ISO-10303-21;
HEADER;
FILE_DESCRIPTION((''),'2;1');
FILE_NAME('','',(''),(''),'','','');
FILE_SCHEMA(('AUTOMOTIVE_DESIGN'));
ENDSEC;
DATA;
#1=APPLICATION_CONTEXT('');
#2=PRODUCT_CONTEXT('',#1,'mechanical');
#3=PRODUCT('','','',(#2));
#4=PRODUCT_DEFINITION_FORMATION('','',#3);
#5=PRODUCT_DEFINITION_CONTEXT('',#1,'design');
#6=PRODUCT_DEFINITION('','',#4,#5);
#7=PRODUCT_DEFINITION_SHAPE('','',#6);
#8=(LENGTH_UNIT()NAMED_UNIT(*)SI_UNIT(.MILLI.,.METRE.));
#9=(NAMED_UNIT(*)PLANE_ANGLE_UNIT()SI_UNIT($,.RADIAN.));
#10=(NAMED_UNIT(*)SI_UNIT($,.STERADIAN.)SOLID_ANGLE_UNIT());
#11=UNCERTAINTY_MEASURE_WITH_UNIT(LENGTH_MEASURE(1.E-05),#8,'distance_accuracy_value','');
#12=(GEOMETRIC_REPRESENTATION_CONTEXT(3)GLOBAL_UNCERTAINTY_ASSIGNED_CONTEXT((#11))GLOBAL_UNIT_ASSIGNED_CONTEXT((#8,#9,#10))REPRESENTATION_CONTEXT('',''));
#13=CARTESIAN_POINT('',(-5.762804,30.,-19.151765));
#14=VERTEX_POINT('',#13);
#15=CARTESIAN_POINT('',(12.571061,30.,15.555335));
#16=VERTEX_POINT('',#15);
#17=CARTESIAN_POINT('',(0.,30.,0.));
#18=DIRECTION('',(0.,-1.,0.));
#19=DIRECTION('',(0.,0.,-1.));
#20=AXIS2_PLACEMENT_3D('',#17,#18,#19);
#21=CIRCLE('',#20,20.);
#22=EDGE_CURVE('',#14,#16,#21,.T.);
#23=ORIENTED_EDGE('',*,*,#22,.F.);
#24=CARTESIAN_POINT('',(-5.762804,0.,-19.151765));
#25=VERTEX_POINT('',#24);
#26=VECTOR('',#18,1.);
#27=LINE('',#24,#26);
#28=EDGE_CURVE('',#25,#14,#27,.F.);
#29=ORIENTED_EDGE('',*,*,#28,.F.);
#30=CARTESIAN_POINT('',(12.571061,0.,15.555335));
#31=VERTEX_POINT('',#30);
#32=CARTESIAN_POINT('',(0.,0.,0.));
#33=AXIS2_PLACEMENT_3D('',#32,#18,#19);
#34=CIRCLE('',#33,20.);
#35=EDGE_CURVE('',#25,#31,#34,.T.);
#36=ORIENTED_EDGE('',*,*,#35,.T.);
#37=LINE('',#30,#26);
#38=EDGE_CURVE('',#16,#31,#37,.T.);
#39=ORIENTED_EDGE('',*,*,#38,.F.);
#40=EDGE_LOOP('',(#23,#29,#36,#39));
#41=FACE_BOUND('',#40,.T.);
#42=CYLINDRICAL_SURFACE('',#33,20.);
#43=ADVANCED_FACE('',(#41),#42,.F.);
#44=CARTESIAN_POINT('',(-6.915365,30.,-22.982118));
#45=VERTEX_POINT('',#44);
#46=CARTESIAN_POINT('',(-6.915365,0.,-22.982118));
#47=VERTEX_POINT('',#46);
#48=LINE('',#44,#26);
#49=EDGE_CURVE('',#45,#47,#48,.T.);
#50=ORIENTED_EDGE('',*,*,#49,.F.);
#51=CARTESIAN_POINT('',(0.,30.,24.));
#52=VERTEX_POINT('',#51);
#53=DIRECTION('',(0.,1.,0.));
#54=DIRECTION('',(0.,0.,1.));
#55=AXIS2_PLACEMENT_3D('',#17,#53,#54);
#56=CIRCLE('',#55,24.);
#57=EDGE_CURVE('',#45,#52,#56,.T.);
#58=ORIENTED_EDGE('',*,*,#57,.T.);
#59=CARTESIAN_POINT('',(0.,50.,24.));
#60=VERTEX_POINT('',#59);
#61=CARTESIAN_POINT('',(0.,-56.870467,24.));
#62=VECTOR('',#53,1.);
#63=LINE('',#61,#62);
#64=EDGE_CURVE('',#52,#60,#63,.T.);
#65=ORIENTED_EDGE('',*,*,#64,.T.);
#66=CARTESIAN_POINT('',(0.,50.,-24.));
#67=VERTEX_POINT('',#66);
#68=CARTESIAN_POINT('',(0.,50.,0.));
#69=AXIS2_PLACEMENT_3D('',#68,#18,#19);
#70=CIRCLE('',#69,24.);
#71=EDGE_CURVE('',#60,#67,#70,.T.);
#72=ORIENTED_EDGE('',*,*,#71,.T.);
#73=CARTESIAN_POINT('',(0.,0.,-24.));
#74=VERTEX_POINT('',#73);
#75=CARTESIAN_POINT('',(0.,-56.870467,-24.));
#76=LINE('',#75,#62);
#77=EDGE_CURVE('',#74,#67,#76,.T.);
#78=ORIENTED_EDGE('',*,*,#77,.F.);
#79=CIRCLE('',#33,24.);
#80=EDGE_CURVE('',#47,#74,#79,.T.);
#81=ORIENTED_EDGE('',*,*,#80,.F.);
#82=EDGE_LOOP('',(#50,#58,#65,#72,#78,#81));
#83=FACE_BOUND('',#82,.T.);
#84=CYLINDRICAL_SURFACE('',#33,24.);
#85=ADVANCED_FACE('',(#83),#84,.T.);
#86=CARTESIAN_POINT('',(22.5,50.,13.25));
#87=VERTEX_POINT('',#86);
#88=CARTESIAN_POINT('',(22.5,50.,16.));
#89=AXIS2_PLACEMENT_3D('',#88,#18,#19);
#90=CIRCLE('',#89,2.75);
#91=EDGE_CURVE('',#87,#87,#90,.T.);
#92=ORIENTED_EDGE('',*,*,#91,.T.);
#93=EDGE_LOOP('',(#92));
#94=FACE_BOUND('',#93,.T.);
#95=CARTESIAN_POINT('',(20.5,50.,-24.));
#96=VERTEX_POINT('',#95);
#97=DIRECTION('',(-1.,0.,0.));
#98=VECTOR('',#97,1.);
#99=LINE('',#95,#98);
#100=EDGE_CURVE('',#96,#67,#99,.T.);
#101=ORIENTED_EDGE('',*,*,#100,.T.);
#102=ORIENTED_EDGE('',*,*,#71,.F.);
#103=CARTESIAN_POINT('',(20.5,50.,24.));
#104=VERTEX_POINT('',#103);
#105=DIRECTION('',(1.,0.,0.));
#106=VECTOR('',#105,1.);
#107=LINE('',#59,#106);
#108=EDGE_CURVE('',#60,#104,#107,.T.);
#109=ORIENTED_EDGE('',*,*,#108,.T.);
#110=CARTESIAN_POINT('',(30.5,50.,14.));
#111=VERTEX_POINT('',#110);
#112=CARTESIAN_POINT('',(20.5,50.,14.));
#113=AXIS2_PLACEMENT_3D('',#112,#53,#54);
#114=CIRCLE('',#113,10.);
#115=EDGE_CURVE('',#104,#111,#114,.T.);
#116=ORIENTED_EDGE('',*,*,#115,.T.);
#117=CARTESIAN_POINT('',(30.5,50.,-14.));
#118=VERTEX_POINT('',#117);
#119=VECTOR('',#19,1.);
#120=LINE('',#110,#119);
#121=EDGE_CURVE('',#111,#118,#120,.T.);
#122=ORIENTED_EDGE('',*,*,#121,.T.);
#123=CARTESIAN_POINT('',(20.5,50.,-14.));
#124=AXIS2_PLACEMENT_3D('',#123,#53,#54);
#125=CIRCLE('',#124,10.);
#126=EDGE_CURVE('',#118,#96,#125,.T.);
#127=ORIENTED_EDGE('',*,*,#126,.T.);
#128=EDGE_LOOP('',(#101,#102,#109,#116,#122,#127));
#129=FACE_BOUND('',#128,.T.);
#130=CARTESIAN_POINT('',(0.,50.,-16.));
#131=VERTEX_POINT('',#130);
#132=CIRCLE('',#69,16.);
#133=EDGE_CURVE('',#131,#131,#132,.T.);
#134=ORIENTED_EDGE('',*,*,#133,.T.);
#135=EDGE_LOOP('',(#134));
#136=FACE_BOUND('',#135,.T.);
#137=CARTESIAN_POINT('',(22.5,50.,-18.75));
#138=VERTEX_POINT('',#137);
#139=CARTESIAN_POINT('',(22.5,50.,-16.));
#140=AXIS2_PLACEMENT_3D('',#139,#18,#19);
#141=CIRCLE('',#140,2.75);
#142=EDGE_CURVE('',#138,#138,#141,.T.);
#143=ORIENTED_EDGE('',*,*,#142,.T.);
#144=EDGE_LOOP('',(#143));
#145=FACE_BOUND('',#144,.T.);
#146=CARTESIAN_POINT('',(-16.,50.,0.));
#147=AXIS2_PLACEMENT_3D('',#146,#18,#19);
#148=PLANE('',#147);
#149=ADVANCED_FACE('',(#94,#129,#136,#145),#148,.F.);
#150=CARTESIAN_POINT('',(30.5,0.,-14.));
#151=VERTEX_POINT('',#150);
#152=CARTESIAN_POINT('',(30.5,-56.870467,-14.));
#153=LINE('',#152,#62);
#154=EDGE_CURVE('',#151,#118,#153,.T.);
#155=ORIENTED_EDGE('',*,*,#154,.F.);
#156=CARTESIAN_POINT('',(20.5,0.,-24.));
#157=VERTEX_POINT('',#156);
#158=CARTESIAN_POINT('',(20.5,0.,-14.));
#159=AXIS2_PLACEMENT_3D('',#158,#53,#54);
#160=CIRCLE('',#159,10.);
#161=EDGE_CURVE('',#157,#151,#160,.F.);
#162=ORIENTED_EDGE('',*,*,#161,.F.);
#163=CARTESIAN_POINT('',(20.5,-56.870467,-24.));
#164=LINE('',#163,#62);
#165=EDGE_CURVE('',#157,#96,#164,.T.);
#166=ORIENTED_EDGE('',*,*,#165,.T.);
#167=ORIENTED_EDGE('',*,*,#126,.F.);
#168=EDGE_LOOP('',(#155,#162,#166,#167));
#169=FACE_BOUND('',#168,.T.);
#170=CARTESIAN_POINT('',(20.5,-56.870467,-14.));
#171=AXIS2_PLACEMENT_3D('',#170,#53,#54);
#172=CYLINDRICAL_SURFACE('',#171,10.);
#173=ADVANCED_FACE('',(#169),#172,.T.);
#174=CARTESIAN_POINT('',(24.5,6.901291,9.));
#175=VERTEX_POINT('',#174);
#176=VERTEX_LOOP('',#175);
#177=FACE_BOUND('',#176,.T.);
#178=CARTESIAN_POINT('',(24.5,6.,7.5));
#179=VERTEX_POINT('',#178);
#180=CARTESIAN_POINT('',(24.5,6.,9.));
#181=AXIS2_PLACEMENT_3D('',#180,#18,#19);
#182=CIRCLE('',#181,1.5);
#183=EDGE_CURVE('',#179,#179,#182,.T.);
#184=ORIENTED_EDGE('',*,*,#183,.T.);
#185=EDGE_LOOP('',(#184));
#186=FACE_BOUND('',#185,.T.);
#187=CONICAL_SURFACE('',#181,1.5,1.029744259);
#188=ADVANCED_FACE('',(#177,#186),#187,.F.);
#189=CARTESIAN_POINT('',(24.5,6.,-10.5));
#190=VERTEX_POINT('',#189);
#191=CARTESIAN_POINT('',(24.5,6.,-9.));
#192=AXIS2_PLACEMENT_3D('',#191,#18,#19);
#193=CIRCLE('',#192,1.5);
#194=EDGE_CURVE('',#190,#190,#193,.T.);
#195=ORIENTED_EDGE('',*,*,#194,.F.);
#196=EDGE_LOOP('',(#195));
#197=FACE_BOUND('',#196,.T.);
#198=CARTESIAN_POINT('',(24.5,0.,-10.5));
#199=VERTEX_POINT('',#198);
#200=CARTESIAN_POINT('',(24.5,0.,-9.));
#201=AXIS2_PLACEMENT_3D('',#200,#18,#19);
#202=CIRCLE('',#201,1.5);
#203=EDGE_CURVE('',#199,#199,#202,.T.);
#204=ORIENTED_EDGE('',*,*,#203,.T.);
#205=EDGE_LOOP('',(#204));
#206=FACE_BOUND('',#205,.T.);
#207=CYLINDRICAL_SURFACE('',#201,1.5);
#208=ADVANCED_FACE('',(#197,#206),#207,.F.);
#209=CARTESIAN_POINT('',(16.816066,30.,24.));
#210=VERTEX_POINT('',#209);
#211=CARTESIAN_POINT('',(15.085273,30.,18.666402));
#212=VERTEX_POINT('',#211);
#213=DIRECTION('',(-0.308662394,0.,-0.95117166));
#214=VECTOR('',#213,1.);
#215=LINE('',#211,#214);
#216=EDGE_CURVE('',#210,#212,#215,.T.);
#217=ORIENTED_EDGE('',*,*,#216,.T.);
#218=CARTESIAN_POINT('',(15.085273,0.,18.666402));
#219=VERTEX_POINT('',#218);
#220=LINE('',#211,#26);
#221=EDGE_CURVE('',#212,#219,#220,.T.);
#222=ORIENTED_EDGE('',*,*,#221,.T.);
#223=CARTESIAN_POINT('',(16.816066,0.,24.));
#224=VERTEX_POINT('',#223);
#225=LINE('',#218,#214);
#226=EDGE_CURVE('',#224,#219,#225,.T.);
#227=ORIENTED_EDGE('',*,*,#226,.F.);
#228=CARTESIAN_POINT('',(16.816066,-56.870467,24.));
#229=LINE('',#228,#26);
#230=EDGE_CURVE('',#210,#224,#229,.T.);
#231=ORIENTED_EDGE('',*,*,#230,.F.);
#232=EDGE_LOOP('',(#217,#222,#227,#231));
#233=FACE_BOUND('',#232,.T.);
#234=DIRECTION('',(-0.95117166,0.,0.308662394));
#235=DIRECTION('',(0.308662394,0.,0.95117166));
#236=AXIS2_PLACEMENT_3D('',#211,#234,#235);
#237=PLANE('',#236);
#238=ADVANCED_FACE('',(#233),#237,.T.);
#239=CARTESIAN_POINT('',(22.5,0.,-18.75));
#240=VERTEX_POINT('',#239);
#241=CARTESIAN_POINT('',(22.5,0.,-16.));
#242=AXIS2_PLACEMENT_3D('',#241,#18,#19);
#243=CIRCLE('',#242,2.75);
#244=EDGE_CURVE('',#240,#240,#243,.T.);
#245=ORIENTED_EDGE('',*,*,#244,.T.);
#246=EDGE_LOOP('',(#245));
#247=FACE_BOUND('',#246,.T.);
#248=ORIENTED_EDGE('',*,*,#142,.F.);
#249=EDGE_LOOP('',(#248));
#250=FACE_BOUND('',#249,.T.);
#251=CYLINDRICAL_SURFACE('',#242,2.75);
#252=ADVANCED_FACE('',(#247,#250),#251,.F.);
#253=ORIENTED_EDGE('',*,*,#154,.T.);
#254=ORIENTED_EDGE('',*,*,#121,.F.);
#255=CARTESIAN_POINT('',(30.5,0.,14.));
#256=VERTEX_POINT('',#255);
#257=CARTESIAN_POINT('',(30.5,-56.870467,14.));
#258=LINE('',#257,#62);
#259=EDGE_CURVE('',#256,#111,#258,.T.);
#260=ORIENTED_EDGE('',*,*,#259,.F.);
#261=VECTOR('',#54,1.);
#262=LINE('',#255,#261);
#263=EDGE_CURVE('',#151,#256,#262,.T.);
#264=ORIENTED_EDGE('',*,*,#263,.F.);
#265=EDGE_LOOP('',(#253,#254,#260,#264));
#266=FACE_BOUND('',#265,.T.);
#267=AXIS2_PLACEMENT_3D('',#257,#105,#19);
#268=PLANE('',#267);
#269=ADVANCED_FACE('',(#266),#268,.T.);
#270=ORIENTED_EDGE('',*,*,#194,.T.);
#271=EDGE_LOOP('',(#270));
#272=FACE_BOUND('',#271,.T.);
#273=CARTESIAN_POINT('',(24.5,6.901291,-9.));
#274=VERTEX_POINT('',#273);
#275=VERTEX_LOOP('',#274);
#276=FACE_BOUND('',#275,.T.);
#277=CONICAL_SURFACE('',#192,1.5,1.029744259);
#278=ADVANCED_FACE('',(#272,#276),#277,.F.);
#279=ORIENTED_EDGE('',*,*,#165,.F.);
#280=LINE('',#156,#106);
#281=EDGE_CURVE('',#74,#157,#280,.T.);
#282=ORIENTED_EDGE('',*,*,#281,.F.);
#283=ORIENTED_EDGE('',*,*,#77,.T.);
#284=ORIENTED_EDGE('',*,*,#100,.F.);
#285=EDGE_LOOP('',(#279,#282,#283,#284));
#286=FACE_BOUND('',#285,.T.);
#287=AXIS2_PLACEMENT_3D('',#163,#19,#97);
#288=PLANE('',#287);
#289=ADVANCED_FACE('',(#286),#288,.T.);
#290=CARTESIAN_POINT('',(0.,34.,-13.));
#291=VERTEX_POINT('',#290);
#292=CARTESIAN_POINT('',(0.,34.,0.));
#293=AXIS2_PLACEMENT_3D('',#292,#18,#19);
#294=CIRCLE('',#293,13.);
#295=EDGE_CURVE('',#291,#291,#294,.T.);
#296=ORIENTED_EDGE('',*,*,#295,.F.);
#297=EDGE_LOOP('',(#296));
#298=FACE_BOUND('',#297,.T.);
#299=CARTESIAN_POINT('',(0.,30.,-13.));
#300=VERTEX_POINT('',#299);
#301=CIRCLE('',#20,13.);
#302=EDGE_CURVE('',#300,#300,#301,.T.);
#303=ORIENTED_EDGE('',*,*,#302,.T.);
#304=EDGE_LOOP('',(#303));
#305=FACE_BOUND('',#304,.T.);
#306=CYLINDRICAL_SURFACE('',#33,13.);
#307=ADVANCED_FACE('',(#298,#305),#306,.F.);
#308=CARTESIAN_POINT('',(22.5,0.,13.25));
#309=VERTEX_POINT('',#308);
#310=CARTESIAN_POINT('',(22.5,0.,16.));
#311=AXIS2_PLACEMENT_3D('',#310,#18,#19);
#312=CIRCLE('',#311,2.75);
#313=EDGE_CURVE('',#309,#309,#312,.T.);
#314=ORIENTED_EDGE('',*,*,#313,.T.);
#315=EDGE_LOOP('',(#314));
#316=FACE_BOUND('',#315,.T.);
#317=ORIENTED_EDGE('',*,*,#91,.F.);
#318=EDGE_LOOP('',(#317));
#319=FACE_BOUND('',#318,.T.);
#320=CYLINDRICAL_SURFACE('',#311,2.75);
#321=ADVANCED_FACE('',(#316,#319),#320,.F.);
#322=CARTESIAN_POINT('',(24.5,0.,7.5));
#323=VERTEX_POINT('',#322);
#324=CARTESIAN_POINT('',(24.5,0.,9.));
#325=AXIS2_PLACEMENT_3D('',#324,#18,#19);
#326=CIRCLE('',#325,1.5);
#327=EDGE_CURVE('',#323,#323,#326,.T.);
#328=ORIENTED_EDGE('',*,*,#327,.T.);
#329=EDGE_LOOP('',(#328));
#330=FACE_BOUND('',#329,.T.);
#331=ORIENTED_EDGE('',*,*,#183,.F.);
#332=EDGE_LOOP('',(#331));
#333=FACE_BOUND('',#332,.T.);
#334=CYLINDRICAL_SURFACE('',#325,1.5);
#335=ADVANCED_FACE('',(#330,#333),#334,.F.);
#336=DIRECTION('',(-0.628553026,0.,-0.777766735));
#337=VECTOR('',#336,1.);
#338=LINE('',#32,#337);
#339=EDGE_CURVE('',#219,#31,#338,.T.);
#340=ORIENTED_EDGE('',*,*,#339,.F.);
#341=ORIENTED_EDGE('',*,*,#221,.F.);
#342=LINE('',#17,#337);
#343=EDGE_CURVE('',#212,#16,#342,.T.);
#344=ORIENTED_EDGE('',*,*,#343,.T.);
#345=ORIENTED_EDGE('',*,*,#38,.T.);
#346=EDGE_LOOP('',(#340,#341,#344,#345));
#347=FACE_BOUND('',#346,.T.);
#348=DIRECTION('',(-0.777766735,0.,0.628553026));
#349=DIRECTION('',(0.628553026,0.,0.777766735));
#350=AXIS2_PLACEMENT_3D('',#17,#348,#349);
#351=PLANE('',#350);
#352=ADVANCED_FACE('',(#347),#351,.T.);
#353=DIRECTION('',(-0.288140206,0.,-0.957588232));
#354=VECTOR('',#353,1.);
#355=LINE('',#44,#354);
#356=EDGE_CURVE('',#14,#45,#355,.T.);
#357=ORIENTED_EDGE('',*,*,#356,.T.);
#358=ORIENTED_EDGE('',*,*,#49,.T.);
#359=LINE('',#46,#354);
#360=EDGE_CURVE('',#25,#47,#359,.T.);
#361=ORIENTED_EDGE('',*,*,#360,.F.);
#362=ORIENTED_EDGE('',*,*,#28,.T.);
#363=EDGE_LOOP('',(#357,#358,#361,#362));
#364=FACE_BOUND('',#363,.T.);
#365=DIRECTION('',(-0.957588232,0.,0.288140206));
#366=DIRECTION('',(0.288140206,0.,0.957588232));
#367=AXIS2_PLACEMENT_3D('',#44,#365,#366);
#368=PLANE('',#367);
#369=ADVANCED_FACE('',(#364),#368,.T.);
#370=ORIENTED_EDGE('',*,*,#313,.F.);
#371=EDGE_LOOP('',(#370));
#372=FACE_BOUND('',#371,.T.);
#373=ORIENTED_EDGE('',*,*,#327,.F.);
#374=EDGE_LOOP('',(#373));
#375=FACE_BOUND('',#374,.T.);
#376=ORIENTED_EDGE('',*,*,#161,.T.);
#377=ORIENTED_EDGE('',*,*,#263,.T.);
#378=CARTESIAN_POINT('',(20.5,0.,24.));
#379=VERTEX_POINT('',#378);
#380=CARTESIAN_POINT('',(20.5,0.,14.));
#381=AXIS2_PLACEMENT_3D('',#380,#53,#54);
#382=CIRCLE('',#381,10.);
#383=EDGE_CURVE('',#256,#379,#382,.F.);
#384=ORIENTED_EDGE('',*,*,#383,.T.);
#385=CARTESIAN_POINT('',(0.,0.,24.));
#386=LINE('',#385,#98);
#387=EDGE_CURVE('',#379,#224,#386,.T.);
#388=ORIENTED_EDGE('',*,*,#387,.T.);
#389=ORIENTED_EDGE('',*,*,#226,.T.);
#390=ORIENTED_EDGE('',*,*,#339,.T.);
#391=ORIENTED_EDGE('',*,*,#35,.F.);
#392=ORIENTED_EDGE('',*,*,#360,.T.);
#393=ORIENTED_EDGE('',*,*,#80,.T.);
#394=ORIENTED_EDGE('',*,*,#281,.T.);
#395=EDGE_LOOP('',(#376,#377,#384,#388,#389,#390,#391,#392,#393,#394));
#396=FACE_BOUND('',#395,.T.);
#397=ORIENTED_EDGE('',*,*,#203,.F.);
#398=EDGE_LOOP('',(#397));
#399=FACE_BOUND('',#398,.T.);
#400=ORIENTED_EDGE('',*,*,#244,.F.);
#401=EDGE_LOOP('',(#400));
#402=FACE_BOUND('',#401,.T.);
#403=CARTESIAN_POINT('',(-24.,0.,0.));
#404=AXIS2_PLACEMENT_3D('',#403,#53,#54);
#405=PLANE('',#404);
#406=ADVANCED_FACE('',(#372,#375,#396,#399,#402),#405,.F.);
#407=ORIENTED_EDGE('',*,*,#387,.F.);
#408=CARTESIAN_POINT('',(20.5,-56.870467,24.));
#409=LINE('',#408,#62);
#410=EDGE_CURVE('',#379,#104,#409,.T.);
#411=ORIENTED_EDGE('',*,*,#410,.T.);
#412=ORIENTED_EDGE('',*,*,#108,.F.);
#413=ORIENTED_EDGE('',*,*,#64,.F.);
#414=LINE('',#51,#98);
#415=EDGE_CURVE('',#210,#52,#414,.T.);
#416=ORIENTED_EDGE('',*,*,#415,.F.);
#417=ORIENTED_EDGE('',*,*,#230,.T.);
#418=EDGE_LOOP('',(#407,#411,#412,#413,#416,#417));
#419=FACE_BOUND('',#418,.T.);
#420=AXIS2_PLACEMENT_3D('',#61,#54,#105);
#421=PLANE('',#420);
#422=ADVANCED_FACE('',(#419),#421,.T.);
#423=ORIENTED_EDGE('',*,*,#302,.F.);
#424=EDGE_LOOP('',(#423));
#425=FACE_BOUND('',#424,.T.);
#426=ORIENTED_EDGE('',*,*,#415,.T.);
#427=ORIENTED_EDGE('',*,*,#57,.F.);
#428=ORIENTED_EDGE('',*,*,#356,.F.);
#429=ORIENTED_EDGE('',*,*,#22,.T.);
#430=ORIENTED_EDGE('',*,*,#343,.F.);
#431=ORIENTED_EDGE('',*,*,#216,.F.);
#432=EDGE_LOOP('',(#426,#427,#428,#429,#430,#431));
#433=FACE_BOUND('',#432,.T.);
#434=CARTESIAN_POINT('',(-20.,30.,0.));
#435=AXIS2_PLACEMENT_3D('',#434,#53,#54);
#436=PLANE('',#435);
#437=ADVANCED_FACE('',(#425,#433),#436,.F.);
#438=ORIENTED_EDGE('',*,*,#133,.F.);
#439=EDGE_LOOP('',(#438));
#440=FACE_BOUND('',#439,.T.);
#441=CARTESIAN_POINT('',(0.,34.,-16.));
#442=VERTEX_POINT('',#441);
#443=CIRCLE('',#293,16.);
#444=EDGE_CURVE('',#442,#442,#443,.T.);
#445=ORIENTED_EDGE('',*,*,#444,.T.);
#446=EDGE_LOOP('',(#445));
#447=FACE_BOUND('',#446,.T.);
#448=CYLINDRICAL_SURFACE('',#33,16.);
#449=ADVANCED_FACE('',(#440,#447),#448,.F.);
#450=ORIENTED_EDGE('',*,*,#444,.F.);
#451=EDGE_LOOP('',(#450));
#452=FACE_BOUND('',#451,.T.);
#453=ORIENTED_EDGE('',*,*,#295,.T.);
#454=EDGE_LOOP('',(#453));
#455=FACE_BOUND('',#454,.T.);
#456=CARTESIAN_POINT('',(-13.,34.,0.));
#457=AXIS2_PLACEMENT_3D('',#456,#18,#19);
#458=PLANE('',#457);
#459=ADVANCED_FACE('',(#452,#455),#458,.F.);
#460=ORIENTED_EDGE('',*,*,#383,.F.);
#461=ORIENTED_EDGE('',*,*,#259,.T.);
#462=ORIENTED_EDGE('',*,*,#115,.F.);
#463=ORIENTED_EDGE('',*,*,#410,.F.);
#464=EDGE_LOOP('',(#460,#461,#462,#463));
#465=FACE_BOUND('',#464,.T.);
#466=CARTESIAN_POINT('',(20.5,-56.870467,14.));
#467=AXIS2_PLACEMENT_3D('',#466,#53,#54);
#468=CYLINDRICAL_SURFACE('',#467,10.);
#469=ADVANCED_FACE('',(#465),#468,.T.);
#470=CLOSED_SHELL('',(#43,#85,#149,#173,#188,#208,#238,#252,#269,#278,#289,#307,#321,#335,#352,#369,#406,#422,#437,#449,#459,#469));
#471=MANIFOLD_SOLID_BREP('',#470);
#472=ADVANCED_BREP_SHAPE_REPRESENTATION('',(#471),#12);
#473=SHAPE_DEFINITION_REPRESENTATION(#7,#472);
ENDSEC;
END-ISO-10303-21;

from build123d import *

# Parameters (mm, degrees)
BOSS_EXTRUDE1_DEPTH       = 50
CUT_EXTRUDE1_DEPTH        = 30
F_3_0MM_DOWEL_HOLE1_D     = 3
F_3_0MM_DOWEL_HOLE1_DEPTH = 6
F_3_0MM_DOWEL_HOLE1_TIP   = 0.901290929
M5_CLEARANCE_HOLE1_D      = 5.5


with BuildPart() as part:
    # Sketch1 → Revolve1 (revolve)
    with BuildSketch(Plane.XY, mode=Mode.PRIVATE) as revolve1_sk:
        Polygon((-24, 0), (-24, 50), (-16, 50), (-16, 34), (-13, 34), (-13, 30), (-16, 30), (-20, 30), (-20, 0), align=None)
    revolve(revolve1_sk.sketch.rotate(Axis((0, 0, 0), (0, 1, 0)), 270), axis=Axis((0, 0, 0), (0, 1, 0)))

    # Sketch6 → Boss-Extrude1 (add)
    with BuildSketch(Plane(origin=(0, 50, 0), x_dir=(1, 0, 0), z_dir=(0, 1, 0))):
        with BuildLine():
            Line((0, -24), (20.5, -24))
            ThreePointArc((20.5, -24), (27.571067812, -21.071067812), (30.5, -14))
            Line((30.5, -14), (30.5, 14))
            ThreePointArc((30.5, 14), (27.571067812, 21.071067812), (20.5, 24))
            Line((20.5, 24), (0, 24))
            ThreePointArc((0, 24), (24, 0), (0, -24))
        make_face()
    extrude(amount=-BOSS_EXTRUDE1_DEPTH)

    # Sketch5 → Cut-Extrude1 (cut)
    with BuildSketch(Plane(origin=(0, 0, 0), x_dir=(1, 0, 0), z_dir=(0, 1, 0))):
        Polygon((15.085272612, -18.666401641), (20.483393436, -35.301209276), (-37.381072525, -18.770693037), (-37.381072525, 22.982117566), (-6.915364934, 22.982117566), (0, 0), align=None)
    extrude(amount=CUT_EXTRUDE1_DEPTH, mode=Mode.SUBTRACT)

    # Ø3.0mm Dowel Hole1
    with Locations(Plane(origin=(0, 0, 0), x_dir=(-1, 0, 0), z_dir=(0, -1, 0))):
        with Locations((-24.5, -9), (-24.5, 9)):
            Hole(F_3_0MM_DOWEL_HOLE1_D / 2, depth=F_3_0MM_DOWEL_HOLE1_DEPTH)
            with Locations((0, 0, -(F_3_0MM_DOWEL_HOLE1_DEPTH + F_3_0MM_DOWEL_HOLE1_TIP / 2))):  # 118° drill point
                Cone(0, F_3_0MM_DOWEL_HOLE1_D / 2, F_3_0MM_DOWEL_HOLE1_TIP, mode=Mode.SUBTRACT)

    # M5 Clearance Hole1 (through all)
    with Locations(Plane(origin=(0, 0, 0), x_dir=(-1, 0, 0), z_dir=(0, -1, 0))):
        with Locations((-22.5, -16), (-22.5, 16)):
            Hole(M5_CLEARANCE_HOLE1_D / 2)


solid = part.part
